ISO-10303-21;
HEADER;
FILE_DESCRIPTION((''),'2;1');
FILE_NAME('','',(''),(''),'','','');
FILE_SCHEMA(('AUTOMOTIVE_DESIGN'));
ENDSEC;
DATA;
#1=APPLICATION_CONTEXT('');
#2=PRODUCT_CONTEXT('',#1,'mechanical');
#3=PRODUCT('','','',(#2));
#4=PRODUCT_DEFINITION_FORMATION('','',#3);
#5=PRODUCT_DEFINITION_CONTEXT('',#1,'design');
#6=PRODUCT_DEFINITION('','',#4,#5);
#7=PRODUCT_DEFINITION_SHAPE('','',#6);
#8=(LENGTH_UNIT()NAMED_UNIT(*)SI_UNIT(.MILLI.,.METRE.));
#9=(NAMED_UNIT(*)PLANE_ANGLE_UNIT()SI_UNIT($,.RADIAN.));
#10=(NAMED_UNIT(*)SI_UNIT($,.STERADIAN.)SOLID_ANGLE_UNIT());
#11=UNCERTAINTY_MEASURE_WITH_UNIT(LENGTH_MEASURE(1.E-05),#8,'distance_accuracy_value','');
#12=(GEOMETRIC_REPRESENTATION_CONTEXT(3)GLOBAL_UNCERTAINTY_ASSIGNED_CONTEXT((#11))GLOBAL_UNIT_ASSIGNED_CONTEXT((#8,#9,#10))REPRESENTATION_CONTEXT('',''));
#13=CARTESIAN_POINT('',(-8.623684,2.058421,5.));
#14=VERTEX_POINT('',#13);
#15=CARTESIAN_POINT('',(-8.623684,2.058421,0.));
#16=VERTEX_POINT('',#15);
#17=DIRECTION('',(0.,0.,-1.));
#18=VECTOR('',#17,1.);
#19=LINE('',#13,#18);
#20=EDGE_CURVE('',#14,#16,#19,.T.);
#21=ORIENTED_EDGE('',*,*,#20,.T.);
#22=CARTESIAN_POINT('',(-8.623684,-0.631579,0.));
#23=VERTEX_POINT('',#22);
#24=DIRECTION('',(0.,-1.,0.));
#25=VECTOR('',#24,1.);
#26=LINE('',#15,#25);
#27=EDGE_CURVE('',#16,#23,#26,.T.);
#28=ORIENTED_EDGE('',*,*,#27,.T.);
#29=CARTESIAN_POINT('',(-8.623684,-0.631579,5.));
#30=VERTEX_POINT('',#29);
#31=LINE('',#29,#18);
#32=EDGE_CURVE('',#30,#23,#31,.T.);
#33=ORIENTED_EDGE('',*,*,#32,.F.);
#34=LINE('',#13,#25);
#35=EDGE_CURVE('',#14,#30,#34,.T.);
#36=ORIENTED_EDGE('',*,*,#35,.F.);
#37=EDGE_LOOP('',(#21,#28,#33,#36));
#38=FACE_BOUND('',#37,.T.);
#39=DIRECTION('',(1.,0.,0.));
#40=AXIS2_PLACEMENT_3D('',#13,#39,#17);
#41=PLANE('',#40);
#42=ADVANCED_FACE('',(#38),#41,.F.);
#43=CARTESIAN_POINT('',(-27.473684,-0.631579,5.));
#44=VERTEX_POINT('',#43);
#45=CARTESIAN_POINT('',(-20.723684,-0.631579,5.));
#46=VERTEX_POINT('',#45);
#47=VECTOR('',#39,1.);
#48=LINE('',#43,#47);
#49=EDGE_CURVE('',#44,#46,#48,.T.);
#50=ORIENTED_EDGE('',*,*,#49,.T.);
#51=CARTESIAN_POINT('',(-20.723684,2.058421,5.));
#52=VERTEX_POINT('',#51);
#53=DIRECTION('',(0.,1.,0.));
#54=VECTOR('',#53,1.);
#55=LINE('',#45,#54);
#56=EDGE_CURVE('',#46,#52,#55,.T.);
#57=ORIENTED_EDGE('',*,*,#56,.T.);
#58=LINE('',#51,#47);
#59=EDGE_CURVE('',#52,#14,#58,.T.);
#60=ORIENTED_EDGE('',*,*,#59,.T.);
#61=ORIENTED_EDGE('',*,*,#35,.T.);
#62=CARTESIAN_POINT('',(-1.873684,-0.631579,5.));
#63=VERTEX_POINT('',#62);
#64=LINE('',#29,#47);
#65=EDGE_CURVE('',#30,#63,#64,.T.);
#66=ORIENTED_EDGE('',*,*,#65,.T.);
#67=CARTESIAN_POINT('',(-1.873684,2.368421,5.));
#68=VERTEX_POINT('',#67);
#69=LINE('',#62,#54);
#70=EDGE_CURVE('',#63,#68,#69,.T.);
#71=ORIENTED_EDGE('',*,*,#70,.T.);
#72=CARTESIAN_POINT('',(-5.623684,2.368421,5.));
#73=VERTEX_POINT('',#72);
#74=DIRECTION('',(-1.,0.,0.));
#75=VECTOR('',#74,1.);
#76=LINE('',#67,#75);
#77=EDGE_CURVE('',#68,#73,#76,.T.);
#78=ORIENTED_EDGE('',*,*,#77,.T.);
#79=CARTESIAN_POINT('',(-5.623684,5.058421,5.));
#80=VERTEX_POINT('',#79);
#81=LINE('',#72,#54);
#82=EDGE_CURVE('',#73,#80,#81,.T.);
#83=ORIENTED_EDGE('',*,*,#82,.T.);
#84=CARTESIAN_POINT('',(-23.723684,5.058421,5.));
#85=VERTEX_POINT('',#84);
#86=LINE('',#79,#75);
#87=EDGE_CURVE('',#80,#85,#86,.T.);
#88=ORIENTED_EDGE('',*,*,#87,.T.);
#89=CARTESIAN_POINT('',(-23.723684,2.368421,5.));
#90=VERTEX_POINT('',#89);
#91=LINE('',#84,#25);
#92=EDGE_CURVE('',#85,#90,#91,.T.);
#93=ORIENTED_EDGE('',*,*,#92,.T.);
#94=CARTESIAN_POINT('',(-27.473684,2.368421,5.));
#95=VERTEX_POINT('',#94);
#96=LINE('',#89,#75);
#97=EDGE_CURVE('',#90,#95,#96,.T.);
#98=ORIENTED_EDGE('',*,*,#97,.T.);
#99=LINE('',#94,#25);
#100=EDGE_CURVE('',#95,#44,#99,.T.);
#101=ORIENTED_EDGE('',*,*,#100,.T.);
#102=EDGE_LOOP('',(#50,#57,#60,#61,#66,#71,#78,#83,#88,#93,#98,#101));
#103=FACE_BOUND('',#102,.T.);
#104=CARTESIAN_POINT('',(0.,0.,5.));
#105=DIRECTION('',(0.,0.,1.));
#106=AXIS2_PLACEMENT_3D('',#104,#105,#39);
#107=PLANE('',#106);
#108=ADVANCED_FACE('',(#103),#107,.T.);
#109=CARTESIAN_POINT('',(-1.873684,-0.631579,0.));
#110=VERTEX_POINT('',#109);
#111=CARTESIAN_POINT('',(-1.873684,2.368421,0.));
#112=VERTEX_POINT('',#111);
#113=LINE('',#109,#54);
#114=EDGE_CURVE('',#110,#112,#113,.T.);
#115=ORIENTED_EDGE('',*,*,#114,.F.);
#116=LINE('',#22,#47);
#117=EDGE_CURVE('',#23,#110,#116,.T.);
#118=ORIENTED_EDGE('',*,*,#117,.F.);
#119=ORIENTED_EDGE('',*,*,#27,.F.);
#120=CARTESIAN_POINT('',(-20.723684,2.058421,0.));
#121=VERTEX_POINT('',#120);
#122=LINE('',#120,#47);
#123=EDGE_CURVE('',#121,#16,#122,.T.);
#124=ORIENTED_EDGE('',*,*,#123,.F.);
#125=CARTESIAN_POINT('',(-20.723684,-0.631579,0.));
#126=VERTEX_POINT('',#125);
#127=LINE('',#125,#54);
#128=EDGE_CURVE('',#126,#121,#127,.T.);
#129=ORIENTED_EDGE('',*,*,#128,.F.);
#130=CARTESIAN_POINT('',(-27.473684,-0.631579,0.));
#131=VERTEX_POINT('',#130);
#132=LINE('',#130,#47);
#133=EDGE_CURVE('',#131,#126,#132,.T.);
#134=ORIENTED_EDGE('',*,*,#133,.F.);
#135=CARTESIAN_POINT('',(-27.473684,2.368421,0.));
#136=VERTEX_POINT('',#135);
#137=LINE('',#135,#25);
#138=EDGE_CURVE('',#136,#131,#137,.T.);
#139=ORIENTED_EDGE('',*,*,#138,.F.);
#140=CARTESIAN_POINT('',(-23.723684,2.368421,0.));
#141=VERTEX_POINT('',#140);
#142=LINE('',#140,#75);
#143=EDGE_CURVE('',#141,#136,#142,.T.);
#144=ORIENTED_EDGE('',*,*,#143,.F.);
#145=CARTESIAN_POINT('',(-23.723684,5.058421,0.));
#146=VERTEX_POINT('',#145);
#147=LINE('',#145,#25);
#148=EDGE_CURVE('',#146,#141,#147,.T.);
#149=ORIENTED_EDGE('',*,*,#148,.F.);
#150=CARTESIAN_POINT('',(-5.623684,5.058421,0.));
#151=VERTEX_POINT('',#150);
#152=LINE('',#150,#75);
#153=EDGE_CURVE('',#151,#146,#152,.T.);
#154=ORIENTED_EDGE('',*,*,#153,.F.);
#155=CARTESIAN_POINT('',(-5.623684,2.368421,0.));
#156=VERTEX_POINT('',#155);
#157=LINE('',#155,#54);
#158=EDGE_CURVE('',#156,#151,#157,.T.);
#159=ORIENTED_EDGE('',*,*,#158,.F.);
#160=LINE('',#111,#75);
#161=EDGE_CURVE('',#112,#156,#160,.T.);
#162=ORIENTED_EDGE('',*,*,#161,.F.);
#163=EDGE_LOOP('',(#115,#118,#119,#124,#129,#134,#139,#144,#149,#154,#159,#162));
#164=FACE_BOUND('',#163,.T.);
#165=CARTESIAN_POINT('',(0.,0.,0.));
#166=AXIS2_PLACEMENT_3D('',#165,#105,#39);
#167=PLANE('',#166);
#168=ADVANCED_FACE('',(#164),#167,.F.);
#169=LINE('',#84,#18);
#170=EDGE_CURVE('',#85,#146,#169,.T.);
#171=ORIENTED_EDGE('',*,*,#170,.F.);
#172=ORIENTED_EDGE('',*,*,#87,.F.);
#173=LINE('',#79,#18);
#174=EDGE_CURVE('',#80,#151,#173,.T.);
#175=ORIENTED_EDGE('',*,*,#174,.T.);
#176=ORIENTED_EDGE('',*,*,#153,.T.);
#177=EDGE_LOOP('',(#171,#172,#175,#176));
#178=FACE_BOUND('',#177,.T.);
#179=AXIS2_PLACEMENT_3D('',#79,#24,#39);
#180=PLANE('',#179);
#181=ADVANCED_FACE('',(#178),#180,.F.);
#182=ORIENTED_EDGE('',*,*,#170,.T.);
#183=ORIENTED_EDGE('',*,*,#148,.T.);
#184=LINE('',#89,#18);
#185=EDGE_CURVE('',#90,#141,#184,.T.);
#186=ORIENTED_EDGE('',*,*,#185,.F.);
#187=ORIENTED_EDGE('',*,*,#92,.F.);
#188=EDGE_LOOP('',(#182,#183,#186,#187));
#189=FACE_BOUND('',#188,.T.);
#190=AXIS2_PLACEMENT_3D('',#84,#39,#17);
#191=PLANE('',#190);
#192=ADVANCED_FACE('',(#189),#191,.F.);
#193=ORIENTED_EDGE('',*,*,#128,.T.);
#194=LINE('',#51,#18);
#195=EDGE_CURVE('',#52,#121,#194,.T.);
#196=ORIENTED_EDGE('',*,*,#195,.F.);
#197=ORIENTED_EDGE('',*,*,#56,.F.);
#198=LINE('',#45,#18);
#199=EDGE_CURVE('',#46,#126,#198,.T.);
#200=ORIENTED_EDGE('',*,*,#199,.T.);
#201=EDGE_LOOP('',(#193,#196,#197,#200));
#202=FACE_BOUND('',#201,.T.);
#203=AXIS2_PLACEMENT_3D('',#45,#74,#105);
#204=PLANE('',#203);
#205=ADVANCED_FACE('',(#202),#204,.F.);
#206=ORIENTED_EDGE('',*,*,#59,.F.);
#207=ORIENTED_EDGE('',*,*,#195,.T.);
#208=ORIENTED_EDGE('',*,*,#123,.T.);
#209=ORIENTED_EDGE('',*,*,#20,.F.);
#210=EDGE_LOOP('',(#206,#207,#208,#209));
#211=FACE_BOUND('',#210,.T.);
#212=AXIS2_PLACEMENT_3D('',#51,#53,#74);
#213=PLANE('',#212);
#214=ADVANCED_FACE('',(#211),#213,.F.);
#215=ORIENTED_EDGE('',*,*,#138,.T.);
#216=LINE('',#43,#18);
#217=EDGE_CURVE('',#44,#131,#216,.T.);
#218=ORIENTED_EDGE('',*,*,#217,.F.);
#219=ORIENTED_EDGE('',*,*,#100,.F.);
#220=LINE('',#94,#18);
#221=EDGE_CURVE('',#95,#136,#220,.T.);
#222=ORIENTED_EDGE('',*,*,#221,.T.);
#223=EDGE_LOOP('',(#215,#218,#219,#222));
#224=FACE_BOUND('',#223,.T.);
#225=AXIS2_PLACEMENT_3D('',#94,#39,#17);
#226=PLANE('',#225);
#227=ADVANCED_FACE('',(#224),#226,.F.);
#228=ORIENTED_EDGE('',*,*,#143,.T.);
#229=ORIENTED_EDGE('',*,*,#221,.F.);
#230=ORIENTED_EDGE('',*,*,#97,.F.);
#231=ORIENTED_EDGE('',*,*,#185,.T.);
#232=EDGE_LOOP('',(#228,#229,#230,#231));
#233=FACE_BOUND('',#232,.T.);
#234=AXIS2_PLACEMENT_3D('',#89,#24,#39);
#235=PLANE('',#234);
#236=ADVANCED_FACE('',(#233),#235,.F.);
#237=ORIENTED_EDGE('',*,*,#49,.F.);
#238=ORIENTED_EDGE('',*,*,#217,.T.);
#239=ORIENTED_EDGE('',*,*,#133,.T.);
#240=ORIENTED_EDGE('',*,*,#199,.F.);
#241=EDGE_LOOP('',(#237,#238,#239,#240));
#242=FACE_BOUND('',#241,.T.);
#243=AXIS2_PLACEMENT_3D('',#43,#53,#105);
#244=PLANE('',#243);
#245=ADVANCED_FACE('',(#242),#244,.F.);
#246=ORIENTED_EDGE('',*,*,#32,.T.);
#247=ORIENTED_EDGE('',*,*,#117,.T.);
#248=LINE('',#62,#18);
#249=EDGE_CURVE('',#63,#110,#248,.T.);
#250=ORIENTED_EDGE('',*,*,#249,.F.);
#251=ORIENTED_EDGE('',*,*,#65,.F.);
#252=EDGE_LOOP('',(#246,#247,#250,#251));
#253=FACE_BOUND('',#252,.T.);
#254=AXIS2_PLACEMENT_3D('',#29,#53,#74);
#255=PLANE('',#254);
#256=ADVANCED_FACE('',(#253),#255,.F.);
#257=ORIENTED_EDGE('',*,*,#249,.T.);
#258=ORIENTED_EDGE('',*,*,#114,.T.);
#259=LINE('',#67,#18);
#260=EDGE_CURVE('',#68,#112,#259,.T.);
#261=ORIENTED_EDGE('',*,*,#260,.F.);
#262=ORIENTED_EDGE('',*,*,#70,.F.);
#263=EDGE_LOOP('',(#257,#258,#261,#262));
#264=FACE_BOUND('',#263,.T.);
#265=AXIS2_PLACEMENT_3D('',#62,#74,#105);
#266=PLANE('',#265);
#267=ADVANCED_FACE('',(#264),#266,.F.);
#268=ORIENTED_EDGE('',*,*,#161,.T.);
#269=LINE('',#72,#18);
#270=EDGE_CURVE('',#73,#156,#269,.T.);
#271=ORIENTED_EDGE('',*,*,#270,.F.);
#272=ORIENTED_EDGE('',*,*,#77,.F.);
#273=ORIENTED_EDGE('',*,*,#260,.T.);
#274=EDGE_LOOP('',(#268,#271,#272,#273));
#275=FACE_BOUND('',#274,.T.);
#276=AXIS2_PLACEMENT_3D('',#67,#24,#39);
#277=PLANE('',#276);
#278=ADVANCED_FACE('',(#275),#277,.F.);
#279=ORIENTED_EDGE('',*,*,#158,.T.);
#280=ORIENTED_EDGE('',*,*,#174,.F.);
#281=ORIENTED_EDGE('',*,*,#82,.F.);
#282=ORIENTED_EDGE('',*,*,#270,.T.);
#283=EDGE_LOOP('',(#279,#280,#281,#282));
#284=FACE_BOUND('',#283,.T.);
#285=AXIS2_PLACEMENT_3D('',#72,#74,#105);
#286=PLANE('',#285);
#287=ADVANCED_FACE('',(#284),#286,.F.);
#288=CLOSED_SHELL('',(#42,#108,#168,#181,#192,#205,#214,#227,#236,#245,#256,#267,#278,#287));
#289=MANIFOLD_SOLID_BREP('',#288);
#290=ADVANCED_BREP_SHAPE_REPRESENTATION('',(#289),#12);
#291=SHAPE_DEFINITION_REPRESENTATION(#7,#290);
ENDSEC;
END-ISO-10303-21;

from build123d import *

# Parameters (mm, degrees)
BOSS_EXTRUDE1_DEPTH = 5


with BuildPart() as part:
    # Sketch1 → Boss-Extrude1 (new body)
    with BuildSketch(Plane.XY):
        Polygon((-27.473684211, -0.631578947), (-20.723684211, -0.631578947), (-20.723684211, 2.058421053), (-8.623684211, 2.058421053), (-8.623684211, -0.631578947), (-1.873684211, -0.631578947), (-1.873684211, 2.368421053), (-5.623684211, 2.368421053), (-5.623684211, 5.058421053), (-23.723684211, 5.058421053), (-23.723684211, 2.368421053), (-27.473684211, 2.368421053), align=None)
    extrude(amount=BOSS_EXTRUDE1_DEPTH)


solid = part.part
